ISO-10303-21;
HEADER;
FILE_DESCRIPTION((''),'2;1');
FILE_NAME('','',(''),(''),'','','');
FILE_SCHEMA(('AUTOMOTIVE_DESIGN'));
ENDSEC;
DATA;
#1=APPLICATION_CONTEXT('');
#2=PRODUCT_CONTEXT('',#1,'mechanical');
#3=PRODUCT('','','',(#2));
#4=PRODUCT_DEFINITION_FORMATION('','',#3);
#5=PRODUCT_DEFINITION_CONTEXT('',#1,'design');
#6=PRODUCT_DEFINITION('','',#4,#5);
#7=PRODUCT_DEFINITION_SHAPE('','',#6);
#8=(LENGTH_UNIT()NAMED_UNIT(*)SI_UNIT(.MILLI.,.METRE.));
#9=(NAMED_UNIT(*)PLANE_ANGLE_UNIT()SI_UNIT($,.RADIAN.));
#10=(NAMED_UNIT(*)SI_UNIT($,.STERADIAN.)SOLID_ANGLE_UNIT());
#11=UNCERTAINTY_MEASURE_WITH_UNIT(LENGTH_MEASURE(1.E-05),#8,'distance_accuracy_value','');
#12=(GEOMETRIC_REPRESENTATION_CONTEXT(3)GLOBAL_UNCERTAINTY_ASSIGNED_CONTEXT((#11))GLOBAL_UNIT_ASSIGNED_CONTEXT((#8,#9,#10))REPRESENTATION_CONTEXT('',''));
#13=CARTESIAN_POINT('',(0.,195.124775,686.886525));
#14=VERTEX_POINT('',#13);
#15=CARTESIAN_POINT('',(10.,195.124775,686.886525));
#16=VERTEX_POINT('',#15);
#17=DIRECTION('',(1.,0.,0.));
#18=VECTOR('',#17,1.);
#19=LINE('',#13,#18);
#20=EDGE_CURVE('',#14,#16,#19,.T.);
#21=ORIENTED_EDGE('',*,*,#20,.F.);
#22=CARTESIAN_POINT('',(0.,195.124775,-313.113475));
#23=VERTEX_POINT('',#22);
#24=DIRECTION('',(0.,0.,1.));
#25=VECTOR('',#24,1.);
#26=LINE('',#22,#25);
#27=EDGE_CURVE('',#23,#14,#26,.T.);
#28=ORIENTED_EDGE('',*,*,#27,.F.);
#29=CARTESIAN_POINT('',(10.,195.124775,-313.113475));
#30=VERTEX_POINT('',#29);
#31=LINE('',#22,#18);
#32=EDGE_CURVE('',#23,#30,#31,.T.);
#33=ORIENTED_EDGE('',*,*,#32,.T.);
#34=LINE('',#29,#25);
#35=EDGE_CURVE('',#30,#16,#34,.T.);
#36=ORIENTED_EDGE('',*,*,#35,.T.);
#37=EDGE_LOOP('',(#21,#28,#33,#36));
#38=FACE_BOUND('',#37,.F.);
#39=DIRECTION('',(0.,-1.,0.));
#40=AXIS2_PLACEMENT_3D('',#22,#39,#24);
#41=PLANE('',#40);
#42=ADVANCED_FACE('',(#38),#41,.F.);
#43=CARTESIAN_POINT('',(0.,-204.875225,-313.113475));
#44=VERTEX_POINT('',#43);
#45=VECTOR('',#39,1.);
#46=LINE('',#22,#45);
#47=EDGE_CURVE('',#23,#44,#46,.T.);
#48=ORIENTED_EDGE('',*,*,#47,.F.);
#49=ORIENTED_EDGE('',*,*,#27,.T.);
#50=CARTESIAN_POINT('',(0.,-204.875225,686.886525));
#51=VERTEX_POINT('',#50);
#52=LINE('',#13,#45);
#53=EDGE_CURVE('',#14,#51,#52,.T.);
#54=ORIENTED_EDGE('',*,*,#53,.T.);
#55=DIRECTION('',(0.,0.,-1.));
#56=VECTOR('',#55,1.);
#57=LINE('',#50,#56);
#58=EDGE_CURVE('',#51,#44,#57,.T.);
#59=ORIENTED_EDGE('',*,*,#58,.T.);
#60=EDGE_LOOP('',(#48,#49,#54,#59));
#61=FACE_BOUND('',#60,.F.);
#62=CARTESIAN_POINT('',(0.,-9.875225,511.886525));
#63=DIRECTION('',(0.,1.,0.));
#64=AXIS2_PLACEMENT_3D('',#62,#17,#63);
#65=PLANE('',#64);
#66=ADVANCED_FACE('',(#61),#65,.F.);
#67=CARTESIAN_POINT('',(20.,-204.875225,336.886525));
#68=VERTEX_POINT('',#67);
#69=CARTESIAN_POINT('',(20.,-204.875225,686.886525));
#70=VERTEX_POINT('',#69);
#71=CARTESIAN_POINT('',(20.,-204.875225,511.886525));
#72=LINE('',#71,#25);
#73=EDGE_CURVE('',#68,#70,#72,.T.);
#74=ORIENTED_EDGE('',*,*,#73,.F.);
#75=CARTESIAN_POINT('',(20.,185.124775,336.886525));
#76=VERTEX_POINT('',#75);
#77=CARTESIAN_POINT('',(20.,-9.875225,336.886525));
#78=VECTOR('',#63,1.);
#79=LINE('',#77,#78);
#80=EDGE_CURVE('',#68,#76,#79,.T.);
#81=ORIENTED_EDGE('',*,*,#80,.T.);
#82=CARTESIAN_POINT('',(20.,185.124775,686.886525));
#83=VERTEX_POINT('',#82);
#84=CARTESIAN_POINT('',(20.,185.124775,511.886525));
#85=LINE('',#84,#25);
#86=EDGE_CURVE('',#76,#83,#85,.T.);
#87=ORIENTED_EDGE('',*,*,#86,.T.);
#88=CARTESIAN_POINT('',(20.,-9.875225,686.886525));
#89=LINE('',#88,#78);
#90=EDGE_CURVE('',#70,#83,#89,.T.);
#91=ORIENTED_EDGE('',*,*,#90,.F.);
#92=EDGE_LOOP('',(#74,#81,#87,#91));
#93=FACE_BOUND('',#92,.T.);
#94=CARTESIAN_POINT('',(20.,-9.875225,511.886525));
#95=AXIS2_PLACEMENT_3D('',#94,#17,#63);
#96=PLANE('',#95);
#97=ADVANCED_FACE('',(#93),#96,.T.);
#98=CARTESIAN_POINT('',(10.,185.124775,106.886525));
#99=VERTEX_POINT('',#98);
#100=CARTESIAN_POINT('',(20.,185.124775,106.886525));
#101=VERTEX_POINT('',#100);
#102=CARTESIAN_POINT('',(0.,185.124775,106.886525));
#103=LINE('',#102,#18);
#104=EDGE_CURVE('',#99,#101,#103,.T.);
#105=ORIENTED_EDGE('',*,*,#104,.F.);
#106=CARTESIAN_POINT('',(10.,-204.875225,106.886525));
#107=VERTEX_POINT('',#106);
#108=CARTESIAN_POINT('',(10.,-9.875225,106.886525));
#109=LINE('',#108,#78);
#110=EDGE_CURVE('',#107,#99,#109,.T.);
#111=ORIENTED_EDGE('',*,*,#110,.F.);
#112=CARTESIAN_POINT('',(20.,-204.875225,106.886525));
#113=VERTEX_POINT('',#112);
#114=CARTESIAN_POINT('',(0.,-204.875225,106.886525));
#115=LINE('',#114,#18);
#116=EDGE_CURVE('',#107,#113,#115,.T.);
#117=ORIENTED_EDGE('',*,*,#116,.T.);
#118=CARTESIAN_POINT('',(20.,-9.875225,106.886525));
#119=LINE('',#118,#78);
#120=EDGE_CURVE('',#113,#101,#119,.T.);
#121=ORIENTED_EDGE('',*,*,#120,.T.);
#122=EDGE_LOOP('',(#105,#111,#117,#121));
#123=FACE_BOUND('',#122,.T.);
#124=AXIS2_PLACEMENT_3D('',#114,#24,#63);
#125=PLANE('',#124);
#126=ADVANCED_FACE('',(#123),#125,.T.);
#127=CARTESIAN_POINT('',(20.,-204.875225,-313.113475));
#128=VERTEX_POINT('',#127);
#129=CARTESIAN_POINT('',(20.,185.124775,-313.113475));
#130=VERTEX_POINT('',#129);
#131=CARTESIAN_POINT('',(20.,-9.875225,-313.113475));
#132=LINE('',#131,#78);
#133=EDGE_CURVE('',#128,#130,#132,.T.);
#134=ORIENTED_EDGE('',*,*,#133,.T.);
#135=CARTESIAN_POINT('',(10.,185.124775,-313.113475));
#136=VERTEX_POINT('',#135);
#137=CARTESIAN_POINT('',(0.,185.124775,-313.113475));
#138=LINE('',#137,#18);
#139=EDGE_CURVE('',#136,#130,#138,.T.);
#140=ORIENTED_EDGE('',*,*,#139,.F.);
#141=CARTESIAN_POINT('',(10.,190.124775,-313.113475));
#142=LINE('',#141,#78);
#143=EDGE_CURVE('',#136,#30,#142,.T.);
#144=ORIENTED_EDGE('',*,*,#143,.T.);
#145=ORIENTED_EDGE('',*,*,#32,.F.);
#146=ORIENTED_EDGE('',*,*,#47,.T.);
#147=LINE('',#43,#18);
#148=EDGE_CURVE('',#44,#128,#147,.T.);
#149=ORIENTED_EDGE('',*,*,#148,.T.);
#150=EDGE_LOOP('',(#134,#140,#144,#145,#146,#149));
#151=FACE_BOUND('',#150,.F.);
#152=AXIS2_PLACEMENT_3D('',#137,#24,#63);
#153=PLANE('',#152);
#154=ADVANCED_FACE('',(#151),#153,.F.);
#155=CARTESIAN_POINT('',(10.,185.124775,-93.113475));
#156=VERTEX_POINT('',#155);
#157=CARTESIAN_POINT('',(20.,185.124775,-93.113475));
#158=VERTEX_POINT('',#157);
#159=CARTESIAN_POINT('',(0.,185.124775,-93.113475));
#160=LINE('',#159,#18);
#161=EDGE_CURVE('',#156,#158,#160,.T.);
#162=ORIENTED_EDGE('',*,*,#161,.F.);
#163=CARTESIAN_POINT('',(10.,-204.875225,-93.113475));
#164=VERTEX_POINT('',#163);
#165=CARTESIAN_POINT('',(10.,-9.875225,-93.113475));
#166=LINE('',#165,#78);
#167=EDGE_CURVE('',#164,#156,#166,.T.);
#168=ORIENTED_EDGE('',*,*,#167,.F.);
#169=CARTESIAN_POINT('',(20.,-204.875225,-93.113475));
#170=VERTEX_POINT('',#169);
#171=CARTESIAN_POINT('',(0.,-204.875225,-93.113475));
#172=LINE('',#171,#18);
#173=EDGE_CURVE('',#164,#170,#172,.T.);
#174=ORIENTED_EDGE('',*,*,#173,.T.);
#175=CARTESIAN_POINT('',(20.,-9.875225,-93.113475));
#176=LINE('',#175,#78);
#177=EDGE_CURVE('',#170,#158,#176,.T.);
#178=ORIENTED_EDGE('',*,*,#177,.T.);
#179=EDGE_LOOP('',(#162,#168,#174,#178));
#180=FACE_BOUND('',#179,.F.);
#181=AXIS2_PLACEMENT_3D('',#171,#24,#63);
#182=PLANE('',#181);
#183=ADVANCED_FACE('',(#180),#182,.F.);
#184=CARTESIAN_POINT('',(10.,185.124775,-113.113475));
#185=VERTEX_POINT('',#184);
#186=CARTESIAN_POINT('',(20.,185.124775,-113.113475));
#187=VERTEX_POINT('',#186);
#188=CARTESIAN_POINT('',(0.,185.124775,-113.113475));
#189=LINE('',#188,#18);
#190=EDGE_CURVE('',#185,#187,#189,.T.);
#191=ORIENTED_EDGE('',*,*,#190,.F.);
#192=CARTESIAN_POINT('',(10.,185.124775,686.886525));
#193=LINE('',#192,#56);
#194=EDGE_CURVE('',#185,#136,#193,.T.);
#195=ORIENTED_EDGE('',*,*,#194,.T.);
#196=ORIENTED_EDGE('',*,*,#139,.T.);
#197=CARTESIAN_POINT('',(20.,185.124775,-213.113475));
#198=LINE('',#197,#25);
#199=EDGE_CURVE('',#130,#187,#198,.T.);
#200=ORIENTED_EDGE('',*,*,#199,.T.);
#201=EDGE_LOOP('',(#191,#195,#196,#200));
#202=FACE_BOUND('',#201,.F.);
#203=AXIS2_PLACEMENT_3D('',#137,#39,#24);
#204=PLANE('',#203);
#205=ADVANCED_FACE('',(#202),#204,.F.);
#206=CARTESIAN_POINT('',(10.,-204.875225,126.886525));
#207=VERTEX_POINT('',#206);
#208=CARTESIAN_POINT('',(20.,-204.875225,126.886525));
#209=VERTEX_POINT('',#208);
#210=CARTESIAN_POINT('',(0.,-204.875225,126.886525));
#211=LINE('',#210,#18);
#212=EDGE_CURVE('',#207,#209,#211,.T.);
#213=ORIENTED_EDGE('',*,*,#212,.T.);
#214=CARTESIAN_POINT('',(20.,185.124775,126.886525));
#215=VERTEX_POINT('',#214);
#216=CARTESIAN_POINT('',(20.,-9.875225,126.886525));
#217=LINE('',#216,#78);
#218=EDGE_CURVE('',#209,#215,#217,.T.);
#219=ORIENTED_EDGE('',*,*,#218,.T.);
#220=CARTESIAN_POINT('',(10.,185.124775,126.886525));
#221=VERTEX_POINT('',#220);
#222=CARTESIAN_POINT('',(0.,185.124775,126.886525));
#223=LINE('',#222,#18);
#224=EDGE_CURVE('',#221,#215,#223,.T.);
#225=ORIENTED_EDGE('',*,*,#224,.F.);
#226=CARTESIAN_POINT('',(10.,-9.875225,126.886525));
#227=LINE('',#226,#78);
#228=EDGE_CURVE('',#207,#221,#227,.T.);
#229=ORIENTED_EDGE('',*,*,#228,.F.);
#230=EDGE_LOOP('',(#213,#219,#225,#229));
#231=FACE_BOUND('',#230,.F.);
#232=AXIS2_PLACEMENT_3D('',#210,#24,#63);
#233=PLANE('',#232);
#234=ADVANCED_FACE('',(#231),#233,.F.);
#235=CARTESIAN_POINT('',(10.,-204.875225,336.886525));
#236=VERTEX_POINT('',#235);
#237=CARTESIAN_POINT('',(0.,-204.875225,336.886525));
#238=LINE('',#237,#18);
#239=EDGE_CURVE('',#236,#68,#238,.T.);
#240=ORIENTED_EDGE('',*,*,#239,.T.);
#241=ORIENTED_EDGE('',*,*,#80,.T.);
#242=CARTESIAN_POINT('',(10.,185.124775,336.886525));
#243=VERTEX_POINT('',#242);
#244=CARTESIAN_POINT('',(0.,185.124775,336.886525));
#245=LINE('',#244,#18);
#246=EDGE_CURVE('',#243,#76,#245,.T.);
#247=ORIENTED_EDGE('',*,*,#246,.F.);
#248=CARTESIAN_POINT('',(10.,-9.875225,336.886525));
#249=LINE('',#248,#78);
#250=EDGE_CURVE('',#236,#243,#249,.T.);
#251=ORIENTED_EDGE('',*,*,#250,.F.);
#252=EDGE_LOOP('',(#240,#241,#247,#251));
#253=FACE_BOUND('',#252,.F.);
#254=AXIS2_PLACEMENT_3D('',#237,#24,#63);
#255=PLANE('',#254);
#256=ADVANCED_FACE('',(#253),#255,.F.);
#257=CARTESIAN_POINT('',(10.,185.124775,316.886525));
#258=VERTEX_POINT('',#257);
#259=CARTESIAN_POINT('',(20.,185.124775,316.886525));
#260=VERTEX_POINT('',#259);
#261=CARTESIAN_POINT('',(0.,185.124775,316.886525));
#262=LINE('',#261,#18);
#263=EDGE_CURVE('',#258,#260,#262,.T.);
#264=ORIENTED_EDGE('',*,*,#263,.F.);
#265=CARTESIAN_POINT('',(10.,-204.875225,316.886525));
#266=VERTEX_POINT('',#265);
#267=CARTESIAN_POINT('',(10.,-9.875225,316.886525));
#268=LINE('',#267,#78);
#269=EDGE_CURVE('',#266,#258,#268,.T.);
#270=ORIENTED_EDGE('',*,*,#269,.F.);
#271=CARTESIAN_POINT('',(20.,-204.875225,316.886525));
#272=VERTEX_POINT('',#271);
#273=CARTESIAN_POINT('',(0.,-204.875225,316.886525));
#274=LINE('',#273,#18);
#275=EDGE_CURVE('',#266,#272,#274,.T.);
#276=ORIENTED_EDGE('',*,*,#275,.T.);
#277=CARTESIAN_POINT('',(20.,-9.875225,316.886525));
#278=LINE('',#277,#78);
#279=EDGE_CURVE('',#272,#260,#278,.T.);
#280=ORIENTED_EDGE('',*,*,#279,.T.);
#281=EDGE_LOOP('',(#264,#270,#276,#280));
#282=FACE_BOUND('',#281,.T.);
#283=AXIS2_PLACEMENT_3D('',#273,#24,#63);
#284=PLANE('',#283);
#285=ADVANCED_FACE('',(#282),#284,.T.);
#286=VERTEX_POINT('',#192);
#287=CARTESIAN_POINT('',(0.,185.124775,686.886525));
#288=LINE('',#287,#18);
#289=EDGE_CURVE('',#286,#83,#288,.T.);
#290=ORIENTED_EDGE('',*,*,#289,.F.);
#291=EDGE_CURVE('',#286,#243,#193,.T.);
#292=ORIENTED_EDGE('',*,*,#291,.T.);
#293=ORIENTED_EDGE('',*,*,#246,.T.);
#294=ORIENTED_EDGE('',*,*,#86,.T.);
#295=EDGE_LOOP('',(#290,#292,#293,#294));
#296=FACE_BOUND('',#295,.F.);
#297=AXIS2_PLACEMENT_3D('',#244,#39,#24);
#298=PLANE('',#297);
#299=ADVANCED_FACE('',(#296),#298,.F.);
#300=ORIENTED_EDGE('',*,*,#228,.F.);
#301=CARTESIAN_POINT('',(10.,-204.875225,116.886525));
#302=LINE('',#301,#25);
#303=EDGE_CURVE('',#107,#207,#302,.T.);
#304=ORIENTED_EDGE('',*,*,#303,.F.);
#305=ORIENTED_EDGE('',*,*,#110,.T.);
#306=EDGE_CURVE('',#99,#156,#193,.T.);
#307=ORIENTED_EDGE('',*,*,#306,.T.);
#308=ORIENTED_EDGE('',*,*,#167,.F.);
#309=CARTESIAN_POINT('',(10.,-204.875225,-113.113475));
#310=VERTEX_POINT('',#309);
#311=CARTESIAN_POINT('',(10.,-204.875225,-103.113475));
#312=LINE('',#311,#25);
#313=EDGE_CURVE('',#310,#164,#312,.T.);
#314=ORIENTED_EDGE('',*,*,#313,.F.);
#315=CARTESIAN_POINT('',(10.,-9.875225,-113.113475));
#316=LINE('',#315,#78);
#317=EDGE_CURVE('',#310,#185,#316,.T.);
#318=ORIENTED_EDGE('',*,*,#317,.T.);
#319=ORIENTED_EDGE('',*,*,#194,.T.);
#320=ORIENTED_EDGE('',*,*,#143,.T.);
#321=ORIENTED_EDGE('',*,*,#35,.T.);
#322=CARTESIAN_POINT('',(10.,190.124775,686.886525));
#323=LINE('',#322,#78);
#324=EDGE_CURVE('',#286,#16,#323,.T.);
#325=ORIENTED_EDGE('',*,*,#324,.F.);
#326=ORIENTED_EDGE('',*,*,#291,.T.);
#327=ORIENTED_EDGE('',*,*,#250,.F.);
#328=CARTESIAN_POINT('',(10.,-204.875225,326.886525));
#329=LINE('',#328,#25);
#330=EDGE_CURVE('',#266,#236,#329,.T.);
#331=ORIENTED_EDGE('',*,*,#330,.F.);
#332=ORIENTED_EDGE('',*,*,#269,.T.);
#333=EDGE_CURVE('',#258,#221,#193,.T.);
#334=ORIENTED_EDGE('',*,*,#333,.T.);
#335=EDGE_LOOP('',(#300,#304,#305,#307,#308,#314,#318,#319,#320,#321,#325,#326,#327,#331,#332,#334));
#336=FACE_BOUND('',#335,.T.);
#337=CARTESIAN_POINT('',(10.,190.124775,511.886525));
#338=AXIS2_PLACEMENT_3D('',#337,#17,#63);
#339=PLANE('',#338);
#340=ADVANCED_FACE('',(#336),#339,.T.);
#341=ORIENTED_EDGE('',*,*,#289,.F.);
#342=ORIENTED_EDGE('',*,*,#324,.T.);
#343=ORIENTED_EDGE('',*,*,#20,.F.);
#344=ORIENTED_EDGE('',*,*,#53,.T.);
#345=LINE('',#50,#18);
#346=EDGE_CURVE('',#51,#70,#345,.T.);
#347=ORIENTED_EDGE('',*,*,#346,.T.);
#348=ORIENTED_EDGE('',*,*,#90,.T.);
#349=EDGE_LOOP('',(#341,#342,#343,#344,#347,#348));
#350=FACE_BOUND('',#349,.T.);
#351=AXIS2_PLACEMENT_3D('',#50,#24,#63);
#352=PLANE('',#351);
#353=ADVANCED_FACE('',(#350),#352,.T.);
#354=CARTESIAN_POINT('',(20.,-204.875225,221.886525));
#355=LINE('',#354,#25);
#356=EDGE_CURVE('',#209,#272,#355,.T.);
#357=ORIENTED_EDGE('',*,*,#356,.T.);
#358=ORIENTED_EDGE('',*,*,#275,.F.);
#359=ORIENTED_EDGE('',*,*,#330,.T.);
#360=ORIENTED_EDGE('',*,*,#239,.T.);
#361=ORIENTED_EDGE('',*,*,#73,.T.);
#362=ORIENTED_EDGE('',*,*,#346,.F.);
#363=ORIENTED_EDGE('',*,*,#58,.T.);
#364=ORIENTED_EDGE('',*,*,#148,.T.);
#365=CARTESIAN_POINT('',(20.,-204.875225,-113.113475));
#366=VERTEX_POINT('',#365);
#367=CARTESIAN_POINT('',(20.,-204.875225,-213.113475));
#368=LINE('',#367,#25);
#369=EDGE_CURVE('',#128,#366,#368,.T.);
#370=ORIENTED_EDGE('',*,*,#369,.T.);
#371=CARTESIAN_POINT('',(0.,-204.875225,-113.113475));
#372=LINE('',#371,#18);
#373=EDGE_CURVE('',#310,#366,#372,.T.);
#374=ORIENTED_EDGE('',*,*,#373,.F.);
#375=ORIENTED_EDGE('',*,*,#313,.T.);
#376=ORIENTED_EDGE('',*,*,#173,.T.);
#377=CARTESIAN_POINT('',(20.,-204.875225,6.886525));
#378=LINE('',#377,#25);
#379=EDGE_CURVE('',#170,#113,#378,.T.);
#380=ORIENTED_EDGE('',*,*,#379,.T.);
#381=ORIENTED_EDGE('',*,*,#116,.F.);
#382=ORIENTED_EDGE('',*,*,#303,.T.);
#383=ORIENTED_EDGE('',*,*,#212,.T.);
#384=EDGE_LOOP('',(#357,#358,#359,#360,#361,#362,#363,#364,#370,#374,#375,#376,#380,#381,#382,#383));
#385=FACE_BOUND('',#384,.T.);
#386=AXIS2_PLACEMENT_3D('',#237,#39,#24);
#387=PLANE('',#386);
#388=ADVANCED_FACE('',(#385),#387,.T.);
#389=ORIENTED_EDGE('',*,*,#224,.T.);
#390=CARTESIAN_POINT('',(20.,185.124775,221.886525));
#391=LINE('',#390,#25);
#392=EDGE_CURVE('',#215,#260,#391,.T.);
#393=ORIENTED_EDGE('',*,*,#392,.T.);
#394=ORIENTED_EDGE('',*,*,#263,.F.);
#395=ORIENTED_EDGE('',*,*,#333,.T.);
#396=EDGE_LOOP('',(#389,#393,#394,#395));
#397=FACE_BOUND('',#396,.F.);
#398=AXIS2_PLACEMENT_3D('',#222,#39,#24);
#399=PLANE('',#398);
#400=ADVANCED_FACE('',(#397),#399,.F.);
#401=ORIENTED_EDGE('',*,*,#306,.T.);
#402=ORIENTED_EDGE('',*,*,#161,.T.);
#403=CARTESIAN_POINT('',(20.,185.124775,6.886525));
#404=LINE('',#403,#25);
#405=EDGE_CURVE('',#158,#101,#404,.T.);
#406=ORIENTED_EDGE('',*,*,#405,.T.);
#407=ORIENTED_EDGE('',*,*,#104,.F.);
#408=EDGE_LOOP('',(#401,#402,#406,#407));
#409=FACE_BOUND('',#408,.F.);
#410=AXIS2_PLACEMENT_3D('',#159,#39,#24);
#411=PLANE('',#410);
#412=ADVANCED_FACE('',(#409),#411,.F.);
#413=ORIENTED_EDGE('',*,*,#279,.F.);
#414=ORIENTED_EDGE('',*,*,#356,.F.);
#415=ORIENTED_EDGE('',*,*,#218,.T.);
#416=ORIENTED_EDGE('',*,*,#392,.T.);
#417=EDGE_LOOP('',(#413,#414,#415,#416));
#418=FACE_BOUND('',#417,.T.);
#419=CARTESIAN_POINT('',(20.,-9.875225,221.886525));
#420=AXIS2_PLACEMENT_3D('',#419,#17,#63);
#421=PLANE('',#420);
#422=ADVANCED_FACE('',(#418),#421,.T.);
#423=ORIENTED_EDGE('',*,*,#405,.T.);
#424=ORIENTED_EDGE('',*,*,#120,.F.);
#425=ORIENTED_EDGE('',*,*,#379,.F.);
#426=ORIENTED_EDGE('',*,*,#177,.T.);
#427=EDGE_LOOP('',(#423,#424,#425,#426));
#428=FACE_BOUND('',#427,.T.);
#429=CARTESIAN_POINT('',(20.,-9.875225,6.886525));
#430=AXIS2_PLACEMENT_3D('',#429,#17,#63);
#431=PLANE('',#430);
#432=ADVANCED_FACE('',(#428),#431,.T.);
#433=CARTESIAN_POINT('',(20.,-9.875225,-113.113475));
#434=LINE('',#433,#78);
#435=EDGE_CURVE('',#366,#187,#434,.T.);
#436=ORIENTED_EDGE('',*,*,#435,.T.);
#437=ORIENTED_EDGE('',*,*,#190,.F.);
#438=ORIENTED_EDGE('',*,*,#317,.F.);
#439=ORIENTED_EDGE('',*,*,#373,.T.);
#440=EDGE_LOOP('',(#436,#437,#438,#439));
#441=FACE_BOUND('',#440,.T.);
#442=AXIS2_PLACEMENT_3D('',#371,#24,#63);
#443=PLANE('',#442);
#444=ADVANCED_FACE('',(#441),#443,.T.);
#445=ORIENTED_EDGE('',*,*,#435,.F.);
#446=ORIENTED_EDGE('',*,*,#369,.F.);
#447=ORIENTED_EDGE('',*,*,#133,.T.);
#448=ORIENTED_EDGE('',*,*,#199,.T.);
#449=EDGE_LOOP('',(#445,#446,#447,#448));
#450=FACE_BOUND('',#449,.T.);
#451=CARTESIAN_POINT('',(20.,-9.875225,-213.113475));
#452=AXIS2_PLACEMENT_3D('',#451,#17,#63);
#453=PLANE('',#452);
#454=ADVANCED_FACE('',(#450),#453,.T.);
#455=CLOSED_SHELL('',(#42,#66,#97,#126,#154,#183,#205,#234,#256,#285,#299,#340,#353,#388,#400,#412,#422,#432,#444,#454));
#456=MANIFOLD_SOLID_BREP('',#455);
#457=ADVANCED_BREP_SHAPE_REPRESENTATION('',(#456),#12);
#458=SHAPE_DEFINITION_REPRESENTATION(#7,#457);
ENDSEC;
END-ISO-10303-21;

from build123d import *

# Parameters (mm, degrees)
F0_W     = 10
F0_H     = 350
F0_H_2   = 20
F0_H_3   = 190
F0_H_4   = 200
F0_W_2   = 390
F1_DEPTH = 10
F2_DEPTH = 20


with BuildPart() as f1:
    # F0 (on Right) → F1 (new body)
    with BuildSketch(Plane.YZ):
        with Locations((190.124774985, 511.8865245837)):
            Rectangle(F0_W, F0_H)
        with Locations((190.124774985, 326.8865245837)):
            Rectangle(F0_W, F0_H_2)
        with Locations((190.124774985, 221.8865245837)):
            Rectangle(F0_W, F0_H_3)
        with Locations((190.124774985, 116.8865245837)):
            Rectangle(F0_W, F0_H_2)
        with Locations((190.124774985, 6.8865245837)):
            Rectangle(F0_W, F0_H_4)
        with Locations((190.124774985, -103.1134754163)):
            Rectangle(F0_W, F0_H_2)
        with Locations((190.124774985, -213.1134754163)):
            Rectangle(F0_W, F0_H_4)
        with Locations((-9.875225015, -103.1134754163)):
            Rectangle(F0_W_2, F0_H_2)
        with Locations((-9.875225015, 116.8865245837)):
            Rectangle(F0_W_2, F0_H_2)
        with Locations((-9.875225015, 326.8865245837)):
            Rectangle(F0_W_2, F0_H_2)
    extrude(amount=F1_DEPTH)

    # F0 (on Right) → F2 (join)
    with BuildSketch(Plane.YZ):
        with Locations((-9.875225015, 511.8865245837)):
            Rectangle(F0_W_2, F0_H)
        with Locations((-9.875225015, 221.8865245837)):
            Rectangle(F0_W_2, F0_H_3)
        with Locations((-9.875225015, 6.8865245837)):
            Rectangle(F0_W_2, F0_H_4)
        with Locations((-9.875225015, -213.1134754163)):
            Rectangle(F0_W_2, F0_H_4)
    extrude(amount=F2_DEPTH)


solid = f1.part
